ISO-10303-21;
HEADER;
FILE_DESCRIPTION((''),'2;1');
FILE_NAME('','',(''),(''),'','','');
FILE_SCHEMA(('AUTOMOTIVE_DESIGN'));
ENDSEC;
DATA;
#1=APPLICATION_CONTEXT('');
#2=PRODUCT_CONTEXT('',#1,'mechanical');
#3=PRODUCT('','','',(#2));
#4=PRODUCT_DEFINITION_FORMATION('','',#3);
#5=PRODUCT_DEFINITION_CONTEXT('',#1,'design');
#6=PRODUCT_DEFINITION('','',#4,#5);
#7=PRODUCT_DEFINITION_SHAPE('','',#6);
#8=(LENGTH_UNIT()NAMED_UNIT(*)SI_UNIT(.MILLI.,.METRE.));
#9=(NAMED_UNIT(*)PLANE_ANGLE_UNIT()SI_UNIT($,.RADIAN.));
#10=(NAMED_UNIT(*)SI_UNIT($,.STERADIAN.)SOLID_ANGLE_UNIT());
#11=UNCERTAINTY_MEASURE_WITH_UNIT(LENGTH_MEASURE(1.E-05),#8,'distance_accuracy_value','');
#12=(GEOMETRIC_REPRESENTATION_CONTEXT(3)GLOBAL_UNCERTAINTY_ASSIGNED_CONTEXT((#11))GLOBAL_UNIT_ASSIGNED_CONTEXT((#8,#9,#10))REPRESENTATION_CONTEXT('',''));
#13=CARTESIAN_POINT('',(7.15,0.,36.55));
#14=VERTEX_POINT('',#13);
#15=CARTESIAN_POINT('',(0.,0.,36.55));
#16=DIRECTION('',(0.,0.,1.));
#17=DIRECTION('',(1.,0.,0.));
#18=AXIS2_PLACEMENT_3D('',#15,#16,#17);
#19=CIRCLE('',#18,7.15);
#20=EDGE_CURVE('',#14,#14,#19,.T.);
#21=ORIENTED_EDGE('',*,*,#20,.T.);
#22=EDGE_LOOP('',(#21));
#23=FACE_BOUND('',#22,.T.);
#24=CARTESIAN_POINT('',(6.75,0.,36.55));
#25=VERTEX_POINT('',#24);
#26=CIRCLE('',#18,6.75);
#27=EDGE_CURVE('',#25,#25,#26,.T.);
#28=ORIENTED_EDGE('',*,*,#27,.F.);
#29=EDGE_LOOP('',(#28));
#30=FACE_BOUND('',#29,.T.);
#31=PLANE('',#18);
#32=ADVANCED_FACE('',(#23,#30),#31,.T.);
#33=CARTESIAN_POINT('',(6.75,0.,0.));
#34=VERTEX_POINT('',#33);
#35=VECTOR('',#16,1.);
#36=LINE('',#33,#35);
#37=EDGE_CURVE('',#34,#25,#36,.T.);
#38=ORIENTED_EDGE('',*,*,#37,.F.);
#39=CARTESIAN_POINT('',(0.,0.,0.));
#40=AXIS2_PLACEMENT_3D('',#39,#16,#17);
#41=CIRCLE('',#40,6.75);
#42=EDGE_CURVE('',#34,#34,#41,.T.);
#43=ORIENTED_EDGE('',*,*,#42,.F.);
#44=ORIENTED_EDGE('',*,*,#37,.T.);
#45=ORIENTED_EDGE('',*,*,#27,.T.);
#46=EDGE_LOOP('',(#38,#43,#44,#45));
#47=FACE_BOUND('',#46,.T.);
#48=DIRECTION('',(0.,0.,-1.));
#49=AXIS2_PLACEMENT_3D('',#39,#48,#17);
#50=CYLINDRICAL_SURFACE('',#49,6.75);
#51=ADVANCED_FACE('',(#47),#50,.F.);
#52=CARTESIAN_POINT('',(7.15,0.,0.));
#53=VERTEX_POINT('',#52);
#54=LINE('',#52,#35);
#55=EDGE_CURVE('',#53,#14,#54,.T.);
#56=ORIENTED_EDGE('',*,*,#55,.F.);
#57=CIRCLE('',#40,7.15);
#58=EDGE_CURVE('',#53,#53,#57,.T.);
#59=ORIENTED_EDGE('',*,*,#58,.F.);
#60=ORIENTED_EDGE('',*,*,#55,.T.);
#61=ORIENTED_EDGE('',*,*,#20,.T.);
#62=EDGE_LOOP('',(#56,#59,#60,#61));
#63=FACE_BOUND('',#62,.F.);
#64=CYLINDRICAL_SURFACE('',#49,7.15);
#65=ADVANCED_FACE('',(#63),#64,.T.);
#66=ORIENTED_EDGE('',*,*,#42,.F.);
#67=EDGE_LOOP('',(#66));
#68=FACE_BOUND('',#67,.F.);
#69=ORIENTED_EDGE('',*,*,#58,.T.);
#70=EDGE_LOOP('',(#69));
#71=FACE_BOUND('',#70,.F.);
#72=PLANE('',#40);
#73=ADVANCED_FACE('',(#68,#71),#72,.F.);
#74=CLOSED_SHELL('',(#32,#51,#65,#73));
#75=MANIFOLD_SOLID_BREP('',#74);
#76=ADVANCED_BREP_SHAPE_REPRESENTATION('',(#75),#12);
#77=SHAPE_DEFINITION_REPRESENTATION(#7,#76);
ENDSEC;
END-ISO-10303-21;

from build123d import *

# Parameters (mm, degrees)
SKETCH_R   = 7.15
SKETCH_R_2 = 6.75
PAD_DEPTH  = 36.55


with BuildPart() as part:
    # Sketch → Pad (new body)
    with BuildSketch(Plane.XY):
        Circle(SKETCH_R)
        Circle(SKETCH_R_2, mode=Mode.SUBTRACT)
    extrude(amount=PAD_DEPTH)


solid = part.part
